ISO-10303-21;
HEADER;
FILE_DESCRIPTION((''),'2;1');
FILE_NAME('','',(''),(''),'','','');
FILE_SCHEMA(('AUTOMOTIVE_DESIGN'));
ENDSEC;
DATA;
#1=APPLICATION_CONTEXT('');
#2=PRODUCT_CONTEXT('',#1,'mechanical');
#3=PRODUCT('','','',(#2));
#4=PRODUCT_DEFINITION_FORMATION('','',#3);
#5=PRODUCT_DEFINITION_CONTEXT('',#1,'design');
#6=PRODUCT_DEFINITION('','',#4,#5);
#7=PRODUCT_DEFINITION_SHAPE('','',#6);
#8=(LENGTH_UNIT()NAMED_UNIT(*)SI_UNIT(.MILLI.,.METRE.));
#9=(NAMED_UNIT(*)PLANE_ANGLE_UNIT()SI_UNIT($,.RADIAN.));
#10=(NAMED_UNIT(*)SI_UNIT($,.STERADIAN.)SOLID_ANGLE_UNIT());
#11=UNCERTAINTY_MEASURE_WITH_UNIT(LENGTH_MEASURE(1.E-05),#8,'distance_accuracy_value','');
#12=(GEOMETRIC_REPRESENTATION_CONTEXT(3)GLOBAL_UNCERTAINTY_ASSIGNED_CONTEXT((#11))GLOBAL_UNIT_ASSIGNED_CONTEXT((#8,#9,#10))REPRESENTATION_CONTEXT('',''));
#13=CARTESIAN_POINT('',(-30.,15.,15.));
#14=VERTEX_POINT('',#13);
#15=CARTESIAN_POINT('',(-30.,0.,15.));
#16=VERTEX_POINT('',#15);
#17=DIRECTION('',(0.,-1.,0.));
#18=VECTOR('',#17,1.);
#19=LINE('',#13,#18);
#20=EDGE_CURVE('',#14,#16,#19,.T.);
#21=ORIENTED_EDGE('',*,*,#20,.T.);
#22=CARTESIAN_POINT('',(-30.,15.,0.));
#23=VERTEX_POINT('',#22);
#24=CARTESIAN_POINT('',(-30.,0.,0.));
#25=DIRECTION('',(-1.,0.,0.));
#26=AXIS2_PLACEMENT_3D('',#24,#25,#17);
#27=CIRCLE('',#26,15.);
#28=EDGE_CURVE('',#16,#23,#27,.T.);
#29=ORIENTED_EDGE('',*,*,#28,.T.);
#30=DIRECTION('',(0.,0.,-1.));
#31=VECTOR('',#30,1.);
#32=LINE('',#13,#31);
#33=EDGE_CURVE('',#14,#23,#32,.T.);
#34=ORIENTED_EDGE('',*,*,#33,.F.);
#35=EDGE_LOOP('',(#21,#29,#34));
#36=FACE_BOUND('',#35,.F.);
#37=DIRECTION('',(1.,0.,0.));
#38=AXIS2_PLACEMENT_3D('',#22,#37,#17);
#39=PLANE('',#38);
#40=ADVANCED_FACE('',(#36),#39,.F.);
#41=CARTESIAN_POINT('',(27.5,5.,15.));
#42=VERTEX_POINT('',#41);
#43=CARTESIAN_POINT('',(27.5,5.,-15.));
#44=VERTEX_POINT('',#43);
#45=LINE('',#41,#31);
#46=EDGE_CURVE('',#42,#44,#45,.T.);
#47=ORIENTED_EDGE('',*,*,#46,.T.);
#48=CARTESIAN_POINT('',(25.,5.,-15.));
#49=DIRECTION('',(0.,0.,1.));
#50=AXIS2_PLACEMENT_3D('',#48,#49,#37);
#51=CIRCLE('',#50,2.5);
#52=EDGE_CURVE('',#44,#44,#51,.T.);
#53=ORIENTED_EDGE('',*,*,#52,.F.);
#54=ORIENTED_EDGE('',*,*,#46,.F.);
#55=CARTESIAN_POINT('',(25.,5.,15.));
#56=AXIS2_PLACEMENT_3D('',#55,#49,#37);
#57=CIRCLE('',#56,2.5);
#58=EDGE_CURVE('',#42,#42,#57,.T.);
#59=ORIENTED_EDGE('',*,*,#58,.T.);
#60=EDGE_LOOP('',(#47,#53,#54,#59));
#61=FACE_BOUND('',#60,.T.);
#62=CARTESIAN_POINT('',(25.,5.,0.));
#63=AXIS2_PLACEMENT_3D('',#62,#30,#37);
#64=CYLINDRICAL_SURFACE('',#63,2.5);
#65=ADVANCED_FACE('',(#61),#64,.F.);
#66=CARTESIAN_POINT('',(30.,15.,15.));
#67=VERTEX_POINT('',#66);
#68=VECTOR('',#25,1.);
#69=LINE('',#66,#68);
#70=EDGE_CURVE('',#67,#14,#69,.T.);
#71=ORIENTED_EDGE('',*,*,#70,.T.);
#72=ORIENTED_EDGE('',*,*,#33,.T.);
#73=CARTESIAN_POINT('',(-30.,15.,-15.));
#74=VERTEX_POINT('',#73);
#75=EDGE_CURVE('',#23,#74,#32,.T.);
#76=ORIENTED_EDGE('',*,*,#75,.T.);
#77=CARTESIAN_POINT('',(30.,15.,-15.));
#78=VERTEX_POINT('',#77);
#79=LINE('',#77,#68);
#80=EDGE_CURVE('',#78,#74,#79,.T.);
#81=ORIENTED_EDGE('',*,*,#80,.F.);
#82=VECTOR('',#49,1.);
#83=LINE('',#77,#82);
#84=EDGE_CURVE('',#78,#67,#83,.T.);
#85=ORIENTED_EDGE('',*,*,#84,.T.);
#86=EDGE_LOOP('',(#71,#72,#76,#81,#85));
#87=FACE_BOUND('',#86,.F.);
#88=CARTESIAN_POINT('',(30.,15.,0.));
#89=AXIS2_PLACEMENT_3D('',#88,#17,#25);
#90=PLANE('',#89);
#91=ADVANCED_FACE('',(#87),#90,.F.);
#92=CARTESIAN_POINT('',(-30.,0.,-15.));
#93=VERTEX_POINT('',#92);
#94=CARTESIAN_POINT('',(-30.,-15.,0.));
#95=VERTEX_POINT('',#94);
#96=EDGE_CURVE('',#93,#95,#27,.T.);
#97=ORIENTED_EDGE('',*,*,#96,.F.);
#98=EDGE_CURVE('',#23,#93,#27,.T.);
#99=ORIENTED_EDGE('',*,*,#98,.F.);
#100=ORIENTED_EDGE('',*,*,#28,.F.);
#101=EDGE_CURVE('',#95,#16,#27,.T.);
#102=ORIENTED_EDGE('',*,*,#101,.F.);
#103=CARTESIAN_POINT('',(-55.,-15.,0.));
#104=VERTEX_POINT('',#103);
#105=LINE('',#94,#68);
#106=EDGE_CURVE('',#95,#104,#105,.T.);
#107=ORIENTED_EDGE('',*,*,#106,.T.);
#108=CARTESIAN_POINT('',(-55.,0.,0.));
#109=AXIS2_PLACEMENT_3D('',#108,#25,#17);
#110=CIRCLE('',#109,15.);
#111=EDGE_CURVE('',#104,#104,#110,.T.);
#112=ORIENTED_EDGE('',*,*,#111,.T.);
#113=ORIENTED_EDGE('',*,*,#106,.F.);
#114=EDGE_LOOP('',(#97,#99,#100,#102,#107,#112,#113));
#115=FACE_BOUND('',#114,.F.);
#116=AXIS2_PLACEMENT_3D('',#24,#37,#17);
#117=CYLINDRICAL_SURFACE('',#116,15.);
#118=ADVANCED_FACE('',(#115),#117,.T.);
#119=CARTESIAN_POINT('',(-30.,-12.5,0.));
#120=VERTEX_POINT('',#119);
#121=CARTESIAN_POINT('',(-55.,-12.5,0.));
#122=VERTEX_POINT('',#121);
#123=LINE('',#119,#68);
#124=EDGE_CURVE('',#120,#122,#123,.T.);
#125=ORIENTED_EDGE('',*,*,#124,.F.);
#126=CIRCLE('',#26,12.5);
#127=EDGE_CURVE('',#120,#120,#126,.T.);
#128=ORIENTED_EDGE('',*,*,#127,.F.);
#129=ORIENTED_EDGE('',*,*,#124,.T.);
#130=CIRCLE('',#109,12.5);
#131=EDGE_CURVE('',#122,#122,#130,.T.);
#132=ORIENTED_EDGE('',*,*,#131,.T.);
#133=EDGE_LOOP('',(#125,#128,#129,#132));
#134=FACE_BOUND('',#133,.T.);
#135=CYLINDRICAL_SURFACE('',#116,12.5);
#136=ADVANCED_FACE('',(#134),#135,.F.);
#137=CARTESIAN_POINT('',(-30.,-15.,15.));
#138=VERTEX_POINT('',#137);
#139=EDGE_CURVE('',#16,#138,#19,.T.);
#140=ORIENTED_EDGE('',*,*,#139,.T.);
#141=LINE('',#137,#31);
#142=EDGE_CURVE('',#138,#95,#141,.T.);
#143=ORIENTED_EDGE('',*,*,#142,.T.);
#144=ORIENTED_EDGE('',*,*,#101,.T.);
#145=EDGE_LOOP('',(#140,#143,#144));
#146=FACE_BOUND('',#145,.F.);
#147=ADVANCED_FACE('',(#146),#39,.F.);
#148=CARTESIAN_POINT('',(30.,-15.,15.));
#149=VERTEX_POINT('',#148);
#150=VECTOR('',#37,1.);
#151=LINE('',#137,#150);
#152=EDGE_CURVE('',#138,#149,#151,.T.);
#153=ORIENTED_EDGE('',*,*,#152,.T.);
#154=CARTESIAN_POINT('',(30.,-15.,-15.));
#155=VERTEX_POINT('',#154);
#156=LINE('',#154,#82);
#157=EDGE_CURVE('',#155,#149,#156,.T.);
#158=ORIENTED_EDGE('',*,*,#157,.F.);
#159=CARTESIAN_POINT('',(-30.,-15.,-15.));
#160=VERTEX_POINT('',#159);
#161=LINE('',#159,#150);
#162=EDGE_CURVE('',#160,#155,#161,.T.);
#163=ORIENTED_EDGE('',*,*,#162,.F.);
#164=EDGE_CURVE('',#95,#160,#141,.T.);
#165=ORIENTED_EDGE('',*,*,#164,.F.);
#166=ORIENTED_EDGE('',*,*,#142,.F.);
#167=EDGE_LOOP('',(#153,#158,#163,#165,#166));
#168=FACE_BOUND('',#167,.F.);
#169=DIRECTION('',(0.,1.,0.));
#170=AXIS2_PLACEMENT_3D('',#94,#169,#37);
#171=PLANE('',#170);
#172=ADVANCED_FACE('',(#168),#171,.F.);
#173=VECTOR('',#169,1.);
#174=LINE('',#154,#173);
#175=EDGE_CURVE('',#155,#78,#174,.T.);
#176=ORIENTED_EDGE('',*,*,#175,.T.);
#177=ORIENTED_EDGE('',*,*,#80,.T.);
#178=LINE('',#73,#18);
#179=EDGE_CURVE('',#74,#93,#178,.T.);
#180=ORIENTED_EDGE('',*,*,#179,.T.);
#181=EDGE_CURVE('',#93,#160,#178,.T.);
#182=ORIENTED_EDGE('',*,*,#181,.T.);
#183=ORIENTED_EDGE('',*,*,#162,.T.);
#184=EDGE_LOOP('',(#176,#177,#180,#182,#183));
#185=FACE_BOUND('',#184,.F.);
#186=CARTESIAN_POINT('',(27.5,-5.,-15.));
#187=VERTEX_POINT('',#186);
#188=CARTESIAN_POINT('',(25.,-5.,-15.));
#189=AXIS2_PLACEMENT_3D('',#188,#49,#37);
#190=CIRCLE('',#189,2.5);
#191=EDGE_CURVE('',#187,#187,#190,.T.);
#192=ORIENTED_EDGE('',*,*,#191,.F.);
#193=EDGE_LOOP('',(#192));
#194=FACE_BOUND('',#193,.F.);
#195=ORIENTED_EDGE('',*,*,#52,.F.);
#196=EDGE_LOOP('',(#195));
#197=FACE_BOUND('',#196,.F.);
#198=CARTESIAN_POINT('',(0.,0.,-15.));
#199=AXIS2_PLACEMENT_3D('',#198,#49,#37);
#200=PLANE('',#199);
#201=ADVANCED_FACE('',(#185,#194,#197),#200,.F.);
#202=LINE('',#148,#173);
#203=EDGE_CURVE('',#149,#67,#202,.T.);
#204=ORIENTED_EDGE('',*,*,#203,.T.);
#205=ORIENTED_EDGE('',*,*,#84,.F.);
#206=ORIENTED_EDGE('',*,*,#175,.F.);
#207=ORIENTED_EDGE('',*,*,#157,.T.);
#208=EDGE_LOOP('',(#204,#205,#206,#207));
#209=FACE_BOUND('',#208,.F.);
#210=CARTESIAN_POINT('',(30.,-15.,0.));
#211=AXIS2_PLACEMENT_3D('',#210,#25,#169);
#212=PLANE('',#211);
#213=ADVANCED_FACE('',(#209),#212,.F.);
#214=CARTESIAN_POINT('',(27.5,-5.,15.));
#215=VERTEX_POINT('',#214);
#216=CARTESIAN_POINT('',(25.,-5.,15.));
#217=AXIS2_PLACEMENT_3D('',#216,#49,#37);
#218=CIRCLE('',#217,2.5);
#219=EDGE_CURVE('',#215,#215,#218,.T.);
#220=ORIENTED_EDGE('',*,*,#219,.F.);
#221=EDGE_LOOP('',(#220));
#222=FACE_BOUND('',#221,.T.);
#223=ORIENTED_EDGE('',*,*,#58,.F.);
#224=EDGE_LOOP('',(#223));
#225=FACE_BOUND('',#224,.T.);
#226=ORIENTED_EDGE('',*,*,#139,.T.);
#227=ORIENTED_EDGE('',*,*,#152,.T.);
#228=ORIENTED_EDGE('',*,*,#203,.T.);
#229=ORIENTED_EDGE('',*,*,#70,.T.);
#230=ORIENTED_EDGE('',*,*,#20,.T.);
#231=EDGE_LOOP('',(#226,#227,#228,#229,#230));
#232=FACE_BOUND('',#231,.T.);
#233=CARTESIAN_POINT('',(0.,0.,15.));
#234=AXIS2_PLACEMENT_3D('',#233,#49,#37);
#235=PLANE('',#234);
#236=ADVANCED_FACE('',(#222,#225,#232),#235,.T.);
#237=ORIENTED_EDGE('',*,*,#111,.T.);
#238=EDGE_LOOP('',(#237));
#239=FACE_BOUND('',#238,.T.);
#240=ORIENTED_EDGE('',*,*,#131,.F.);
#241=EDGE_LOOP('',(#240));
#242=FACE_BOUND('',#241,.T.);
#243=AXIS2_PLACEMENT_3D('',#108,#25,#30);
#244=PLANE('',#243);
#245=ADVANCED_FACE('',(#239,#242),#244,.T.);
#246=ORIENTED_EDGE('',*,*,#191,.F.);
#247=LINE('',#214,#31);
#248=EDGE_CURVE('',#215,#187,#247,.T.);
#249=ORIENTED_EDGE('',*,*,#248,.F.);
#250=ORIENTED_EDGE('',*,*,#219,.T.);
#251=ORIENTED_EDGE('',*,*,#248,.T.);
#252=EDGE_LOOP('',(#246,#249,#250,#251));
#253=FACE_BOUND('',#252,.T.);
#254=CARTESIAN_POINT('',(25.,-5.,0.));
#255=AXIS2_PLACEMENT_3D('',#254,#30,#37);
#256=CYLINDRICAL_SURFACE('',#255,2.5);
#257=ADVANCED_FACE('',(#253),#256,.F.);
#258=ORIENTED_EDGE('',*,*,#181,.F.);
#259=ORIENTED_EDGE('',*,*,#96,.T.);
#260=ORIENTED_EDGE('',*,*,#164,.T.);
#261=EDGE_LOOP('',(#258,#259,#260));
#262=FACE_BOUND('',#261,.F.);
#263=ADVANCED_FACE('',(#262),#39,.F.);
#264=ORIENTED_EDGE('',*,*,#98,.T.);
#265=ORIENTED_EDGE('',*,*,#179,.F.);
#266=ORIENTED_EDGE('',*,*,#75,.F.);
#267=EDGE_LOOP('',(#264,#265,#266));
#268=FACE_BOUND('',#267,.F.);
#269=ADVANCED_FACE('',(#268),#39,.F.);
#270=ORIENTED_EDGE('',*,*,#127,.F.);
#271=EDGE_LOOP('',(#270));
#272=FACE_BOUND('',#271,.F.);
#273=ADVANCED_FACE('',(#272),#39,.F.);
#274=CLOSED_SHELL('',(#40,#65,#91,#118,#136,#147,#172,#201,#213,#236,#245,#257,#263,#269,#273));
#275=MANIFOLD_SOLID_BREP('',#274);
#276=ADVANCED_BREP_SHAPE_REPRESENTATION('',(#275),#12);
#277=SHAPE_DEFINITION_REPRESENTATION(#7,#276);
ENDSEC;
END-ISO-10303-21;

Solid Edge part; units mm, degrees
sketch "Sketch1" plane through (0, 0, 0) normal (0, 0, 1) x (1, 0, 0)
  line L0 (-30, -15) -> (30, -15)
  line L1 (30, -15) -> (30, 15)
  line L2 (30, 15) -> (-30, 15)
  line L3 (-30, 15) -> (-30, -15)
  circle A0 centre (25, 5) radius 2.5
  circle A1 centre (25, -5) radius 2.5
extrude "Protrusion1" add sketch "Sketch1" along normal mid plane 30
sketch "Sketch2" plane through (-30, 0, 0) normal (-1, 0, 0) x (0, -1, 0)
  circle A0 centre (0, 0) radius 15
  circle A1 centre (0, 0) radius 12.5
extrude "ExtrudedProtrusion_2" add sketch "Sketch2" along normal mid plane 50
properties material "Steel - Stainless:1.4404 , X2CrNiMo17-12-2"
